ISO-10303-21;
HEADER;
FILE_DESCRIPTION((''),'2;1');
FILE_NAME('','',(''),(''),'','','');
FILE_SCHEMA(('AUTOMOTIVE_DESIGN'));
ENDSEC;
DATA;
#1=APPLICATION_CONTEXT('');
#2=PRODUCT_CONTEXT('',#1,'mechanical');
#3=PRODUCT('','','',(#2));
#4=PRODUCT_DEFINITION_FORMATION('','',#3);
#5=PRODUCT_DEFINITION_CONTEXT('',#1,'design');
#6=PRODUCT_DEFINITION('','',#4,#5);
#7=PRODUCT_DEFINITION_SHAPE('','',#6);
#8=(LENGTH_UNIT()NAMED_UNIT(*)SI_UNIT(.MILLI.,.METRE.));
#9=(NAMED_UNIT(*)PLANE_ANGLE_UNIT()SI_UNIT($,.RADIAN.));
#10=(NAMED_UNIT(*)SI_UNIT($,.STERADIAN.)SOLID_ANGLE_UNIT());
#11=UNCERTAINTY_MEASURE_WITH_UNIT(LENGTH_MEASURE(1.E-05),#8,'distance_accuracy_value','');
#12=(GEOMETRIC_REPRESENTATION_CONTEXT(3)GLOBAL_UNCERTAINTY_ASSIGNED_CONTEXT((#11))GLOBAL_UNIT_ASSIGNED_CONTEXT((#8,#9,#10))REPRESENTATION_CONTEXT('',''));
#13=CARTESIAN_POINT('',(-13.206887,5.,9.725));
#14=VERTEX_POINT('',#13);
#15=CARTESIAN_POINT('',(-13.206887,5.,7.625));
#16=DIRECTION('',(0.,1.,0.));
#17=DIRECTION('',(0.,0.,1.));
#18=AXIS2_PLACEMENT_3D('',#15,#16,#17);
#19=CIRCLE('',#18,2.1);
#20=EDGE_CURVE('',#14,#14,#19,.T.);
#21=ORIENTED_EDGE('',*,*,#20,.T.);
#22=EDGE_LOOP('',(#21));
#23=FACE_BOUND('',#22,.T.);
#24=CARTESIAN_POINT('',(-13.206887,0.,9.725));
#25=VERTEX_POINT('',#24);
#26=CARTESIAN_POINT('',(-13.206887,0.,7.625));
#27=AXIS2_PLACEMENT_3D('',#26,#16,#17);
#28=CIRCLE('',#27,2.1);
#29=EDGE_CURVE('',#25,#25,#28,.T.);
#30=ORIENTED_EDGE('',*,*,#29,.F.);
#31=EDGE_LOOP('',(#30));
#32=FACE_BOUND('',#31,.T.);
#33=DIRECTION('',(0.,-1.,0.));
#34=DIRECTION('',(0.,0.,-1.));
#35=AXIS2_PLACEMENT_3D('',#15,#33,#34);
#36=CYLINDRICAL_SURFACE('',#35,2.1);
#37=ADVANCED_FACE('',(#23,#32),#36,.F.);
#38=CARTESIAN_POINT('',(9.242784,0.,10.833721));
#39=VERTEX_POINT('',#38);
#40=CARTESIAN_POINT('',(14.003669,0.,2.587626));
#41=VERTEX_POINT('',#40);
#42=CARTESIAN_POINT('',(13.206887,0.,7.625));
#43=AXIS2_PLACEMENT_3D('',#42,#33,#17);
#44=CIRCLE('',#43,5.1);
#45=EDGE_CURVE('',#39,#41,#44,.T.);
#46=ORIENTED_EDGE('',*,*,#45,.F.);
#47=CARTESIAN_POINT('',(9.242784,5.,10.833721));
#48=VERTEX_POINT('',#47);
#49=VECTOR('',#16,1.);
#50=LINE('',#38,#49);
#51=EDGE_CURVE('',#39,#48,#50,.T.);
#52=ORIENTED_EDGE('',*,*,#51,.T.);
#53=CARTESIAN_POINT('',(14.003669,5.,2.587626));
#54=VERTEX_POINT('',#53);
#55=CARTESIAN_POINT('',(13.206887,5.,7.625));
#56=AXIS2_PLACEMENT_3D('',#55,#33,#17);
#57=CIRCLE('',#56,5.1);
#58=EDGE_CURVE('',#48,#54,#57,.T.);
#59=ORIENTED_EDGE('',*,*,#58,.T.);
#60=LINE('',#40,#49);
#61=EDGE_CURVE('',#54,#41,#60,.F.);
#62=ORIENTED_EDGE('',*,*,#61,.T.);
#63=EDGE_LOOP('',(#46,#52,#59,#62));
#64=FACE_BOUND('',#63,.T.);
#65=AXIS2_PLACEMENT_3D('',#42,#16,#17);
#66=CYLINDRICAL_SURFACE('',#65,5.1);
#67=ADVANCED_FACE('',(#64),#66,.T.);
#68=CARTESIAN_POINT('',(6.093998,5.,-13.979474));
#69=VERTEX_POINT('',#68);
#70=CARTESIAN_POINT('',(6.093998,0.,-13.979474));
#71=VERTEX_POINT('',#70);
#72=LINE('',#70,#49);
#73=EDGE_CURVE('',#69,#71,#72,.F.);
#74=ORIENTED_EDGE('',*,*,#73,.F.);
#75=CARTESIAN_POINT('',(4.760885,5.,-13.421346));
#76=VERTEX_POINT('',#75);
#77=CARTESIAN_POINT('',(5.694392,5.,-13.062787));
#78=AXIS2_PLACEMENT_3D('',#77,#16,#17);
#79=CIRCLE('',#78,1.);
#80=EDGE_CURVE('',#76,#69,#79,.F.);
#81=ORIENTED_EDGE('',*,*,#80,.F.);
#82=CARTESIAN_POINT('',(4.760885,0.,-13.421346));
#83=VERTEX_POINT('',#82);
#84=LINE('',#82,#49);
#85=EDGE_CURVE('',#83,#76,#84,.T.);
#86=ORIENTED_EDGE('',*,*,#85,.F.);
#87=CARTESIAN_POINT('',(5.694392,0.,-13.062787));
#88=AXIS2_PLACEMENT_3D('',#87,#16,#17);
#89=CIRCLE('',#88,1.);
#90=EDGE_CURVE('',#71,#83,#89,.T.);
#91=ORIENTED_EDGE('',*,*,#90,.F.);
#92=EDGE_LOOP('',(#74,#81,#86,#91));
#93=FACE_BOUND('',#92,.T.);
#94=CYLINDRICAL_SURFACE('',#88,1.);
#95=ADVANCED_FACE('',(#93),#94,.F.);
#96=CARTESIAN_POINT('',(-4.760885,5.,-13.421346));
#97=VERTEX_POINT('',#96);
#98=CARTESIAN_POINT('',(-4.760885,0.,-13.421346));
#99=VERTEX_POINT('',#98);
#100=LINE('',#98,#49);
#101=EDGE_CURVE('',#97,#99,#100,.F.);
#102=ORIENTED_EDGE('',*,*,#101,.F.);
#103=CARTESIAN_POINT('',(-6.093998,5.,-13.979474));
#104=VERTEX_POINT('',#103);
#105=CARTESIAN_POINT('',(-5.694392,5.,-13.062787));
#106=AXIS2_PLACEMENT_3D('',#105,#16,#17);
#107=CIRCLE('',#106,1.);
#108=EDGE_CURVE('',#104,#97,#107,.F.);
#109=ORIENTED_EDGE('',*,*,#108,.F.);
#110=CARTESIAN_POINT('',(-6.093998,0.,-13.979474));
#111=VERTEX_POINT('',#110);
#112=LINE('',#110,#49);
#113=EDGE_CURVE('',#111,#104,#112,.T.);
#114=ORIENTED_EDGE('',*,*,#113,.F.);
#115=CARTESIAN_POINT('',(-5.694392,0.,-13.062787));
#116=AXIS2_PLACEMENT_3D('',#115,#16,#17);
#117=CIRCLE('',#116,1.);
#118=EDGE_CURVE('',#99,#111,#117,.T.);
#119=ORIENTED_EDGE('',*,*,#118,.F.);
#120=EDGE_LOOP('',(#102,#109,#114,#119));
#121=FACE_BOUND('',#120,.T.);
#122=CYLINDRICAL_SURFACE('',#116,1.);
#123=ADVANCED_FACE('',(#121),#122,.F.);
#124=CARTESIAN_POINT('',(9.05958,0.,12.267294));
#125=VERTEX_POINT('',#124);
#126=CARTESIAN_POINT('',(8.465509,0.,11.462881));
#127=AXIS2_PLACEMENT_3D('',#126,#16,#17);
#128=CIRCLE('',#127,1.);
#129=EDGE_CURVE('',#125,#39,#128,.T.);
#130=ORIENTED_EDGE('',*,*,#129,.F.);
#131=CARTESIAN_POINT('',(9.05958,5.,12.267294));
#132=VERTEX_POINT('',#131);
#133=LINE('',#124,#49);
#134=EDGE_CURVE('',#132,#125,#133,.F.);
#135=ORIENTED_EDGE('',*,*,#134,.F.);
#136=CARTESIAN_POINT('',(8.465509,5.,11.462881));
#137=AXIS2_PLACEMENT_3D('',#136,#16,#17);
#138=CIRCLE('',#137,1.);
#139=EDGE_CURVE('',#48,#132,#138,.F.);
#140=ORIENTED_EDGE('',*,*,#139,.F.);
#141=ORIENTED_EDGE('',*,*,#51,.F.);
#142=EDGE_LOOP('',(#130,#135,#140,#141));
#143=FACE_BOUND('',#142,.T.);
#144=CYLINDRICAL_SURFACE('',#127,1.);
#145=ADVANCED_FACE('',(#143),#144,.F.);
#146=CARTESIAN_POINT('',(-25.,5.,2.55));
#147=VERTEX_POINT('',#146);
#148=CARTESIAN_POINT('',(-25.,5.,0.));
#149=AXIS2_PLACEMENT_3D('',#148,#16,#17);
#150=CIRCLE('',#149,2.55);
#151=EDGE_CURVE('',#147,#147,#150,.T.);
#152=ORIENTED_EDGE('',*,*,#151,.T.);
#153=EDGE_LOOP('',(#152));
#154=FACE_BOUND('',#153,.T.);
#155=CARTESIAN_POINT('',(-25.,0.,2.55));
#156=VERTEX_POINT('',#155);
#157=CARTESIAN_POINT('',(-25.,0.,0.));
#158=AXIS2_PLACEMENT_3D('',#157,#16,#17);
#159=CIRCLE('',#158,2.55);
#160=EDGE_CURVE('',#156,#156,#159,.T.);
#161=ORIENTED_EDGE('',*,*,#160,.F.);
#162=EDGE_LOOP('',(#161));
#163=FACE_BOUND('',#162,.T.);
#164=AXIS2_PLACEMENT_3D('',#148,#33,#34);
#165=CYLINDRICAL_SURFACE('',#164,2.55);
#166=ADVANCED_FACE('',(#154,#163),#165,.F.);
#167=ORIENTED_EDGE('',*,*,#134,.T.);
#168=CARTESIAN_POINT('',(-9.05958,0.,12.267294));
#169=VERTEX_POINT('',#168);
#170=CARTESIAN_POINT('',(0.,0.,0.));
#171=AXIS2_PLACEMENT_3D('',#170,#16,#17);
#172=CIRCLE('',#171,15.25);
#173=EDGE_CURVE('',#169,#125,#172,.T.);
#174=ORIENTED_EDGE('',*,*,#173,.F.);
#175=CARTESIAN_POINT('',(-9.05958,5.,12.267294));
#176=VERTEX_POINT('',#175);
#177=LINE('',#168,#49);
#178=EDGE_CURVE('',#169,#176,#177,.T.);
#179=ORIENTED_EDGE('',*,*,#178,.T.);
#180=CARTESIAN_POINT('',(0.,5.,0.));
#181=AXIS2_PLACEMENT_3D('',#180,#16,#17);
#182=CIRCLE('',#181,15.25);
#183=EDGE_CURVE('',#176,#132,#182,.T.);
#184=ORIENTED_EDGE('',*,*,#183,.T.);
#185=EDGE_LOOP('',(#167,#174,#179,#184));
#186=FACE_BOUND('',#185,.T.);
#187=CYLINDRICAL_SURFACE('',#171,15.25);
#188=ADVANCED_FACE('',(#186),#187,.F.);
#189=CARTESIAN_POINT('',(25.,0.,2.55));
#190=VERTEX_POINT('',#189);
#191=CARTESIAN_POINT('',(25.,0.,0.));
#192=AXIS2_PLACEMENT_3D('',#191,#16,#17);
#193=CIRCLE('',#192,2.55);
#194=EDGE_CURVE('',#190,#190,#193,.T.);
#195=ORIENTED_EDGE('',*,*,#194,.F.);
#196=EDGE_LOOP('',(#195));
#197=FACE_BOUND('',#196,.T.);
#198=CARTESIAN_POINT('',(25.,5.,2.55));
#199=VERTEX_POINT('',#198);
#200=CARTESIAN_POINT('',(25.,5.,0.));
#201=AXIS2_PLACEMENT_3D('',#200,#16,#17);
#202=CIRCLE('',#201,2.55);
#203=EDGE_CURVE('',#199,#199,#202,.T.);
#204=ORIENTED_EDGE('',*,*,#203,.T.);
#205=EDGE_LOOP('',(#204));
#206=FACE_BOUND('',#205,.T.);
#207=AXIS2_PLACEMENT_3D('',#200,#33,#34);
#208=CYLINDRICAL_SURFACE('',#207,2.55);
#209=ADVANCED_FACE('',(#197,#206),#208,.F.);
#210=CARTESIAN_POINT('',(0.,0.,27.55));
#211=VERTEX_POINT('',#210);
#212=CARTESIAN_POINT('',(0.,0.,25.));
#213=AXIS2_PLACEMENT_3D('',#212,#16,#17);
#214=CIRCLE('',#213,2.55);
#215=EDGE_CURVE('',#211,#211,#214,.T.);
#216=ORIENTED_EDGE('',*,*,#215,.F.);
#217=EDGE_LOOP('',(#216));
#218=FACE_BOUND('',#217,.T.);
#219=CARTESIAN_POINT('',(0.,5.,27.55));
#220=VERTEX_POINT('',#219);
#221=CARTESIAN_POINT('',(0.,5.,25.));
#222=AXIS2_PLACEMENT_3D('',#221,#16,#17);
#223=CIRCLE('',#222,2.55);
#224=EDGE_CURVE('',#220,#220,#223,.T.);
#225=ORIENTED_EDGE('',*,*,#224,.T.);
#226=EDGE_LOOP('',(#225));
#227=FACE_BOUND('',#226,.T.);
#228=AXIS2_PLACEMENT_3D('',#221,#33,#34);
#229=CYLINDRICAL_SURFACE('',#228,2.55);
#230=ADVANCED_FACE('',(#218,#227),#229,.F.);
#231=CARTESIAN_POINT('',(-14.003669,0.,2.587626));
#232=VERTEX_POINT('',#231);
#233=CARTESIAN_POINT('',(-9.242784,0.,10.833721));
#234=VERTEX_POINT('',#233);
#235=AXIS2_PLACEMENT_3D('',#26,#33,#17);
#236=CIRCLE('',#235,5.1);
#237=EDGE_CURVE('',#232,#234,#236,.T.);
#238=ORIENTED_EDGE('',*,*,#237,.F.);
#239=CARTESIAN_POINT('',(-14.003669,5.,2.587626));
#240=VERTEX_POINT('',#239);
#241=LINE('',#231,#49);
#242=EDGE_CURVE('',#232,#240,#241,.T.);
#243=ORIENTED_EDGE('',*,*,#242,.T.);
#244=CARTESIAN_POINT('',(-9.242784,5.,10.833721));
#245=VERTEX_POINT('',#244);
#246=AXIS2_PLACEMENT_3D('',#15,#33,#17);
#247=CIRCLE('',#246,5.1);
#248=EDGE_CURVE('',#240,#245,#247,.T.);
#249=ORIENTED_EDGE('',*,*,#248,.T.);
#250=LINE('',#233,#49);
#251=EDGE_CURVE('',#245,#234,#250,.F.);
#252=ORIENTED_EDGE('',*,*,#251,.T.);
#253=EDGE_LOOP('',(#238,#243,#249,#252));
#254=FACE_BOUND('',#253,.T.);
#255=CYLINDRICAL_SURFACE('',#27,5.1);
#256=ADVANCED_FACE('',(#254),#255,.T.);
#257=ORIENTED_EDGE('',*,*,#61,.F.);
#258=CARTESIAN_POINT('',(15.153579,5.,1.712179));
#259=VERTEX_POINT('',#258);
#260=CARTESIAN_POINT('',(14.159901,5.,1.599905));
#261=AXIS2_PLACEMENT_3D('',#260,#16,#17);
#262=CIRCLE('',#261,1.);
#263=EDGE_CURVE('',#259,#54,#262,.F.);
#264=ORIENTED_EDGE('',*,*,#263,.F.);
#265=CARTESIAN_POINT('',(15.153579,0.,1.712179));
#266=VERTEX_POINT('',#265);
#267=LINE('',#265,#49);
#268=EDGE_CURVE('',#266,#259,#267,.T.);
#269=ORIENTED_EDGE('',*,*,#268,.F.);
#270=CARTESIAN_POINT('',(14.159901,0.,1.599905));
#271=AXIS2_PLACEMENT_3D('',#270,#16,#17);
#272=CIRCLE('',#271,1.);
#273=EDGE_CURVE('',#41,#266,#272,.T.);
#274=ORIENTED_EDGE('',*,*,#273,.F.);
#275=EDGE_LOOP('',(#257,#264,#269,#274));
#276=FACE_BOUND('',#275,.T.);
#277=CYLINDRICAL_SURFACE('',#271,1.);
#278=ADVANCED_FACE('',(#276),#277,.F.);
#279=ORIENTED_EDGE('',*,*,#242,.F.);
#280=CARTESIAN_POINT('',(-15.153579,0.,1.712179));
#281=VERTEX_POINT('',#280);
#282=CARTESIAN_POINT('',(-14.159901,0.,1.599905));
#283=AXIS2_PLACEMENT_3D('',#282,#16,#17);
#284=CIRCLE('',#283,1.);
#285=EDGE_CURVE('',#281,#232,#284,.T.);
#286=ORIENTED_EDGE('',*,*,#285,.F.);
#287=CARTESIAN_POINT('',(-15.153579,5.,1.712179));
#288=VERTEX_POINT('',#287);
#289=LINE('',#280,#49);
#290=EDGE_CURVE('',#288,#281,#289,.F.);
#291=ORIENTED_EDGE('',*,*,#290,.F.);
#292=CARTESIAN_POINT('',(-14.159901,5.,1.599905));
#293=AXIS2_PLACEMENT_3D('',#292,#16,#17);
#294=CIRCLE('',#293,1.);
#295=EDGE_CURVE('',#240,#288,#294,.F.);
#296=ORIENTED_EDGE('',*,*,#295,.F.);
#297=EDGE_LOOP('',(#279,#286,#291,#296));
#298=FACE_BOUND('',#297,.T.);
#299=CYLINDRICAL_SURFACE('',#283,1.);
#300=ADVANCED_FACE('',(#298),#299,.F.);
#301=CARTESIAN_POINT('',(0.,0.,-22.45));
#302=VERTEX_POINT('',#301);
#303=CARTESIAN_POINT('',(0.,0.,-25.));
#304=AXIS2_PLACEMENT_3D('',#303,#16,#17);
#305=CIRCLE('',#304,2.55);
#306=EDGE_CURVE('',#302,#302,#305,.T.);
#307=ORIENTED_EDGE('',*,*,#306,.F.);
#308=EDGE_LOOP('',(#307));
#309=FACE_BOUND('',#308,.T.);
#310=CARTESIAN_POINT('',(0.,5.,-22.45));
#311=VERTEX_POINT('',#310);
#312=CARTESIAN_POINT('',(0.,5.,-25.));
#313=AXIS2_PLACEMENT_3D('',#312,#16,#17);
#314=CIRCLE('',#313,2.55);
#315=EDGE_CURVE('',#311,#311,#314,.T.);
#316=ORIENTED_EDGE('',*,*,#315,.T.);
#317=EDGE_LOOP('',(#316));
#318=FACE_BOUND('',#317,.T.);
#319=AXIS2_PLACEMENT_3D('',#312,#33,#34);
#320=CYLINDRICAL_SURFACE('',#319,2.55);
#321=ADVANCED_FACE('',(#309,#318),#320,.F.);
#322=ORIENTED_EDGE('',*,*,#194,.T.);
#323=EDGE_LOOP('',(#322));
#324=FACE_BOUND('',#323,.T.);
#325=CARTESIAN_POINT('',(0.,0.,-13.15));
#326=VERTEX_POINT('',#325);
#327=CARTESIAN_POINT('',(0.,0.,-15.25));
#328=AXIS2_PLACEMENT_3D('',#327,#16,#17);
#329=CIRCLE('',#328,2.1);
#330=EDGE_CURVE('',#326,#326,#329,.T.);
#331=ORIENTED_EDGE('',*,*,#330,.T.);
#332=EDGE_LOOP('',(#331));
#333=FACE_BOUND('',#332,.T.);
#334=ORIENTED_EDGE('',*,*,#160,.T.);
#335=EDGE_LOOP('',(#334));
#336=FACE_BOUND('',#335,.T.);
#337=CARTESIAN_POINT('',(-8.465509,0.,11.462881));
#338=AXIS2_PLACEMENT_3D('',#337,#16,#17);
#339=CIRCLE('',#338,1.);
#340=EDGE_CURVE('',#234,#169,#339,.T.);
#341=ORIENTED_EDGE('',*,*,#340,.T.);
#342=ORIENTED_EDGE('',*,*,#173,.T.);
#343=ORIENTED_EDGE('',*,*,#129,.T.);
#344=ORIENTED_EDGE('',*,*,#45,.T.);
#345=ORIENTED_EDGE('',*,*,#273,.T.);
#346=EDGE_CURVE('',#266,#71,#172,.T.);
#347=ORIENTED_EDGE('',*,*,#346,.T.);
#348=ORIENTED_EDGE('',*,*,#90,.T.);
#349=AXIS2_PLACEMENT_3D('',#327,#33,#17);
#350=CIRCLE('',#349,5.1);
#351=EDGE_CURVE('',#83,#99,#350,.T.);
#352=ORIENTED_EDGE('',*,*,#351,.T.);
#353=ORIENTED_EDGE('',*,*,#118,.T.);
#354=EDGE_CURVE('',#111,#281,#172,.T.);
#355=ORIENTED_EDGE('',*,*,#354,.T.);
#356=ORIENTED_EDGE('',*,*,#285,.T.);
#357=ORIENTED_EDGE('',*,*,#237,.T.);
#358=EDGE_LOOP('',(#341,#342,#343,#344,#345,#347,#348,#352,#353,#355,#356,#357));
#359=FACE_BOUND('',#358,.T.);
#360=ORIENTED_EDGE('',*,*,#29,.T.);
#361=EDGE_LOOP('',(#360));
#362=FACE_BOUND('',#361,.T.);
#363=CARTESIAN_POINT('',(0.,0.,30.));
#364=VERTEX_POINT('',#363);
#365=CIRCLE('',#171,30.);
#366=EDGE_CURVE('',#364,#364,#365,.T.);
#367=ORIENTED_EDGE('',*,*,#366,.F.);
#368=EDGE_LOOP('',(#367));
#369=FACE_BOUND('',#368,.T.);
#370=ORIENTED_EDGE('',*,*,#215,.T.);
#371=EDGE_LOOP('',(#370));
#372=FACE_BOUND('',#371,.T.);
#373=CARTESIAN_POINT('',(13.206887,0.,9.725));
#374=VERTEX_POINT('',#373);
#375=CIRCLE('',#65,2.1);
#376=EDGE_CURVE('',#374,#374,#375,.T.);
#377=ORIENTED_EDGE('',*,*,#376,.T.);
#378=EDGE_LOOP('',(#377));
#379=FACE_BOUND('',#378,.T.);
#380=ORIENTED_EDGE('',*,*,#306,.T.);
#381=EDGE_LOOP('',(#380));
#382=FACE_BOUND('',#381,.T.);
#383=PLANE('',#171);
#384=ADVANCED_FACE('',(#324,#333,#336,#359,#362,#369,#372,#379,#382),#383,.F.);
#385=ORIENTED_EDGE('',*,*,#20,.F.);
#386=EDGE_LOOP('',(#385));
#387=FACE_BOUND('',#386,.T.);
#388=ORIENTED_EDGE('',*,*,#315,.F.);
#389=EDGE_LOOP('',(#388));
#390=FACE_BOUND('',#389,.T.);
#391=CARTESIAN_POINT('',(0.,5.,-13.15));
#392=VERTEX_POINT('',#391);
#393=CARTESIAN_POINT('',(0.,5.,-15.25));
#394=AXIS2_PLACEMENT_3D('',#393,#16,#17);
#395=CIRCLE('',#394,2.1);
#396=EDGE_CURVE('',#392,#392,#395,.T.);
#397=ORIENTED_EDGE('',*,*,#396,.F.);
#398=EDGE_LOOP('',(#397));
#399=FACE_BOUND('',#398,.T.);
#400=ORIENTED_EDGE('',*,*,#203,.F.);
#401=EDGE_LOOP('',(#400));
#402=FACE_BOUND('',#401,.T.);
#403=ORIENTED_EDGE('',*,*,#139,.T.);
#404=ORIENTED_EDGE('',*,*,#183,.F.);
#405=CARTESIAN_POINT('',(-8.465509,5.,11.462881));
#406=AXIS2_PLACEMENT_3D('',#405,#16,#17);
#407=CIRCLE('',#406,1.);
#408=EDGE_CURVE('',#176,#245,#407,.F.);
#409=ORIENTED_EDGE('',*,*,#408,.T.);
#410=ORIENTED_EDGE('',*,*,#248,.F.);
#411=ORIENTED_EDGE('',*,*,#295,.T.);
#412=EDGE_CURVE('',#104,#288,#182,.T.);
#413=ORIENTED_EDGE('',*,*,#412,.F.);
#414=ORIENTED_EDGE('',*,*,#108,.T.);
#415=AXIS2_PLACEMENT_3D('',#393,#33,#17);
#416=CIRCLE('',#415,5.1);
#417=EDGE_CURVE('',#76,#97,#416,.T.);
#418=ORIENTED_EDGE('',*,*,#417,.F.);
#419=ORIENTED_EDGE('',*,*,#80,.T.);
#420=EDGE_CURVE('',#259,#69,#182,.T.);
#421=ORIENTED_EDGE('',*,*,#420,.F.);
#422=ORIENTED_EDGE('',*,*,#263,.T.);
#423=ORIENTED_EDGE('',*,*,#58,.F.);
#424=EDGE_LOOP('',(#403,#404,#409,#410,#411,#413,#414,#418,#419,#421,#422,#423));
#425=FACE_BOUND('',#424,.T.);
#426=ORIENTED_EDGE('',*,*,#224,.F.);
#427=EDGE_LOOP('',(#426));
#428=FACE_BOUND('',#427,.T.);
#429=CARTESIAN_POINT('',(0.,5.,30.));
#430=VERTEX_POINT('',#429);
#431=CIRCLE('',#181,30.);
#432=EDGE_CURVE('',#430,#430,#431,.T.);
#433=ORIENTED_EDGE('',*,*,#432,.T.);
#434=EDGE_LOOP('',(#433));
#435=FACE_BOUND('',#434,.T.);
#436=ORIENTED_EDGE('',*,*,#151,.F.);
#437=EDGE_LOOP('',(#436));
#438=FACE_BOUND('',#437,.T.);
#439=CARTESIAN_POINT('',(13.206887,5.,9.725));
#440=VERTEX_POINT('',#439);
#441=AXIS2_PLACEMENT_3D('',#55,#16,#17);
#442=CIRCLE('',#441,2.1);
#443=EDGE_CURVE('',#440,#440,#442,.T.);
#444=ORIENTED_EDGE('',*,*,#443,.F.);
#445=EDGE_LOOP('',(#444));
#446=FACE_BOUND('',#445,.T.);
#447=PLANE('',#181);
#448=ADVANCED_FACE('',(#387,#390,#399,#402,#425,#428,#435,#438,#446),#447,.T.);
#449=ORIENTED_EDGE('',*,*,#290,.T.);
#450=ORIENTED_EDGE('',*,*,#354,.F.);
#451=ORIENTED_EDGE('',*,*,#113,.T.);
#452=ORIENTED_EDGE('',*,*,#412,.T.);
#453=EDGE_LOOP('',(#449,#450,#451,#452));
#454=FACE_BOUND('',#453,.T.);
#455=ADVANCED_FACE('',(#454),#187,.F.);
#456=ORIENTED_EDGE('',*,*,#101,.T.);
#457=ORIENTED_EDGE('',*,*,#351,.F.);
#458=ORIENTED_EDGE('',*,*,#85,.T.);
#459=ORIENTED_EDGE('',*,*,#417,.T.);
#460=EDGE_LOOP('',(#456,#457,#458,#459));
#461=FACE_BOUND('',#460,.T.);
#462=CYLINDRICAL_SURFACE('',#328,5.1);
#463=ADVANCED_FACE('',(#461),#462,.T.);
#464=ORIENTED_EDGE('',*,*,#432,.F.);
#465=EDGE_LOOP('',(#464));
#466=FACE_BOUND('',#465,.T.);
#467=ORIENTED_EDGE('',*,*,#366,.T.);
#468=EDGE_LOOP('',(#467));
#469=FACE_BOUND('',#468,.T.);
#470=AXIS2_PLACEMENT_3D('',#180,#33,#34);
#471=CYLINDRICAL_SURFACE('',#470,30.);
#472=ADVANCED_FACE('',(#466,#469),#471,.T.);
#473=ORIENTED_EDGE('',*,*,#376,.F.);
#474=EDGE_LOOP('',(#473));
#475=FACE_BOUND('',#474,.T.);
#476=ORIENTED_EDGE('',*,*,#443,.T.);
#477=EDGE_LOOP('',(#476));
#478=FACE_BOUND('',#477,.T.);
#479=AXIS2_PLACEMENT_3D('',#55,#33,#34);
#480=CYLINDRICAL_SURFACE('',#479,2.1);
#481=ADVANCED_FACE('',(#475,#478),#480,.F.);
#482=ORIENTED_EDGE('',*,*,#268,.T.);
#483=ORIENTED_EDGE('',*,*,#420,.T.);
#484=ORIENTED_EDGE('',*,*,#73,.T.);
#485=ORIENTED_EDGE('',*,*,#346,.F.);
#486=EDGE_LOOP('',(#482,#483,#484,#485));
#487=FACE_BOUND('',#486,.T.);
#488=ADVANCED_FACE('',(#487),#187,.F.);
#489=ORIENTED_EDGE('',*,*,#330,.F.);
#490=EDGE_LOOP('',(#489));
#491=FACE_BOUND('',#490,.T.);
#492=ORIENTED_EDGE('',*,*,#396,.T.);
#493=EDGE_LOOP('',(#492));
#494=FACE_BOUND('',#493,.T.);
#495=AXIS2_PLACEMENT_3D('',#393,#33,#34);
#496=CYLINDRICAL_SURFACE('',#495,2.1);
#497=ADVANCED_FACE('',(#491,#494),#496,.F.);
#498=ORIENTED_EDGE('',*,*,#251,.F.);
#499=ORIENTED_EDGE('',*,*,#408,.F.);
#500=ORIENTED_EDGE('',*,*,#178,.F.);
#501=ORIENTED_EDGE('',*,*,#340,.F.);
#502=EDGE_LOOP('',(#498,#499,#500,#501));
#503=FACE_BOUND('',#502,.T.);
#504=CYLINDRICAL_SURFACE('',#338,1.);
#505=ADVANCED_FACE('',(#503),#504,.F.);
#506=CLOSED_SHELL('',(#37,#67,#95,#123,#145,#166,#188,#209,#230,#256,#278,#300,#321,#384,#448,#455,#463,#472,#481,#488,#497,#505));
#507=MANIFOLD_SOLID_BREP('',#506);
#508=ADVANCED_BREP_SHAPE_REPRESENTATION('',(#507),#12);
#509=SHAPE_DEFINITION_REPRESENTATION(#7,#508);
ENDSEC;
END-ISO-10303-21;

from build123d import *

# Parameters (mm, degrees)
SKETCH1_R           = 30
SKETCH1_R_2         = 10
SKETCH1_R_3         = 2.1
SKETCH1_R_4         = 2.55
BOSS_EXTRUDE1_DEPTH = 5
CUT_EXTRUDE1_DEPTH  = 6
FILLET1_R           = 1


with BuildPart() as part:
    # Sketch1 → Boss-Extrude1 (new body)
    with BuildSketch(Plane(origin=(0, 0, 0), x_dir=(1, 0, 0), z_dir=(0, 1, 0))):
        Circle(SKETCH1_R)
        Circle(SKETCH1_R_2, mode=Mode.SUBTRACT)
        with Locations((0, 15.25)):
            Circle(SKETCH1_R_3, mode=Mode.SUBTRACT)
        with Locations((13.206887408, -7.625)):
            Circle(SKETCH1_R_3, mode=Mode.SUBTRACT)
        with Locations((-13.206887408, -7.625)):
            Circle(SKETCH1_R_3, mode=Mode.SUBTRACT)
        with Locations((0, 25)):
            Circle(SKETCH1_R_4, mode=Mode.SUBTRACT)
        with Locations((25, 0)):
            Circle(SKETCH1_R_4, mode=Mode.SUBTRACT)
        with Locations((0, -25)):
            Circle(SKETCH1_R_4, mode=Mode.SUBTRACT)
        with Locations((-25, 0)):
            Circle(SKETCH1_R_4, mode=Mode.SUBTRACT)
    extrude(amount=BOSS_EXTRUDE1_DEPTH)

    # Sketch2 → Cut-Extrude1 (cut, through all)
    with BuildSketch(Plane(origin=(0, 5, 0), x_dir=(1, 0, 0), z_dir=(0, 1, 0))):
        with BuildLine():
            ThreePointArc((-5.028195952, 14.397213115), (0, 10.15), (5.028195952, 14.397213115))
            ThreePointArc((5.028195952, 14.397213115), (13.206887408, 7.625), (14.982450277, -2.844061128))
            ThreePointArc((14.982450277, -2.844061128), (8.790157848, -5.075), (9.954254325, -11.553151987))
            ThreePointArc((9.954254325, -11.553151987), (0, -15.25), (-9.954254325, -11.553151987))
            ThreePointArc((-9.954254325, -11.553151987), (-8.790157848, -5.075), (-14.982450277, -2.844061128))
            ThreePointArc((-14.982450277, -2.844061128), (-13.206887408, 7.625), (-5.028195952, 14.397213115))
        make_face()
    extrude(amount=-CUT_EXTRUDE1_DEPTH, mode=Mode.SUBTRACT)

    # Fillet1
    fillet1_edges = [part.edges().sort_by_distance(p)[0] for p in [
        (-14.982450277, 2.5, 2.844061128),
        (-5.028195952, 2.5, -14.397213115),
        (5.028195952, 2.5, -14.397213115),
        (14.982450277, 2.5, 2.844061128),
        (9.954254325, 2.5, 11.553151987),
        (-9.954254325, 2.5, 11.553151987),
    ]]
    fillet(fillet1_edges, radius=FILLET1_R)


solid = part.part
